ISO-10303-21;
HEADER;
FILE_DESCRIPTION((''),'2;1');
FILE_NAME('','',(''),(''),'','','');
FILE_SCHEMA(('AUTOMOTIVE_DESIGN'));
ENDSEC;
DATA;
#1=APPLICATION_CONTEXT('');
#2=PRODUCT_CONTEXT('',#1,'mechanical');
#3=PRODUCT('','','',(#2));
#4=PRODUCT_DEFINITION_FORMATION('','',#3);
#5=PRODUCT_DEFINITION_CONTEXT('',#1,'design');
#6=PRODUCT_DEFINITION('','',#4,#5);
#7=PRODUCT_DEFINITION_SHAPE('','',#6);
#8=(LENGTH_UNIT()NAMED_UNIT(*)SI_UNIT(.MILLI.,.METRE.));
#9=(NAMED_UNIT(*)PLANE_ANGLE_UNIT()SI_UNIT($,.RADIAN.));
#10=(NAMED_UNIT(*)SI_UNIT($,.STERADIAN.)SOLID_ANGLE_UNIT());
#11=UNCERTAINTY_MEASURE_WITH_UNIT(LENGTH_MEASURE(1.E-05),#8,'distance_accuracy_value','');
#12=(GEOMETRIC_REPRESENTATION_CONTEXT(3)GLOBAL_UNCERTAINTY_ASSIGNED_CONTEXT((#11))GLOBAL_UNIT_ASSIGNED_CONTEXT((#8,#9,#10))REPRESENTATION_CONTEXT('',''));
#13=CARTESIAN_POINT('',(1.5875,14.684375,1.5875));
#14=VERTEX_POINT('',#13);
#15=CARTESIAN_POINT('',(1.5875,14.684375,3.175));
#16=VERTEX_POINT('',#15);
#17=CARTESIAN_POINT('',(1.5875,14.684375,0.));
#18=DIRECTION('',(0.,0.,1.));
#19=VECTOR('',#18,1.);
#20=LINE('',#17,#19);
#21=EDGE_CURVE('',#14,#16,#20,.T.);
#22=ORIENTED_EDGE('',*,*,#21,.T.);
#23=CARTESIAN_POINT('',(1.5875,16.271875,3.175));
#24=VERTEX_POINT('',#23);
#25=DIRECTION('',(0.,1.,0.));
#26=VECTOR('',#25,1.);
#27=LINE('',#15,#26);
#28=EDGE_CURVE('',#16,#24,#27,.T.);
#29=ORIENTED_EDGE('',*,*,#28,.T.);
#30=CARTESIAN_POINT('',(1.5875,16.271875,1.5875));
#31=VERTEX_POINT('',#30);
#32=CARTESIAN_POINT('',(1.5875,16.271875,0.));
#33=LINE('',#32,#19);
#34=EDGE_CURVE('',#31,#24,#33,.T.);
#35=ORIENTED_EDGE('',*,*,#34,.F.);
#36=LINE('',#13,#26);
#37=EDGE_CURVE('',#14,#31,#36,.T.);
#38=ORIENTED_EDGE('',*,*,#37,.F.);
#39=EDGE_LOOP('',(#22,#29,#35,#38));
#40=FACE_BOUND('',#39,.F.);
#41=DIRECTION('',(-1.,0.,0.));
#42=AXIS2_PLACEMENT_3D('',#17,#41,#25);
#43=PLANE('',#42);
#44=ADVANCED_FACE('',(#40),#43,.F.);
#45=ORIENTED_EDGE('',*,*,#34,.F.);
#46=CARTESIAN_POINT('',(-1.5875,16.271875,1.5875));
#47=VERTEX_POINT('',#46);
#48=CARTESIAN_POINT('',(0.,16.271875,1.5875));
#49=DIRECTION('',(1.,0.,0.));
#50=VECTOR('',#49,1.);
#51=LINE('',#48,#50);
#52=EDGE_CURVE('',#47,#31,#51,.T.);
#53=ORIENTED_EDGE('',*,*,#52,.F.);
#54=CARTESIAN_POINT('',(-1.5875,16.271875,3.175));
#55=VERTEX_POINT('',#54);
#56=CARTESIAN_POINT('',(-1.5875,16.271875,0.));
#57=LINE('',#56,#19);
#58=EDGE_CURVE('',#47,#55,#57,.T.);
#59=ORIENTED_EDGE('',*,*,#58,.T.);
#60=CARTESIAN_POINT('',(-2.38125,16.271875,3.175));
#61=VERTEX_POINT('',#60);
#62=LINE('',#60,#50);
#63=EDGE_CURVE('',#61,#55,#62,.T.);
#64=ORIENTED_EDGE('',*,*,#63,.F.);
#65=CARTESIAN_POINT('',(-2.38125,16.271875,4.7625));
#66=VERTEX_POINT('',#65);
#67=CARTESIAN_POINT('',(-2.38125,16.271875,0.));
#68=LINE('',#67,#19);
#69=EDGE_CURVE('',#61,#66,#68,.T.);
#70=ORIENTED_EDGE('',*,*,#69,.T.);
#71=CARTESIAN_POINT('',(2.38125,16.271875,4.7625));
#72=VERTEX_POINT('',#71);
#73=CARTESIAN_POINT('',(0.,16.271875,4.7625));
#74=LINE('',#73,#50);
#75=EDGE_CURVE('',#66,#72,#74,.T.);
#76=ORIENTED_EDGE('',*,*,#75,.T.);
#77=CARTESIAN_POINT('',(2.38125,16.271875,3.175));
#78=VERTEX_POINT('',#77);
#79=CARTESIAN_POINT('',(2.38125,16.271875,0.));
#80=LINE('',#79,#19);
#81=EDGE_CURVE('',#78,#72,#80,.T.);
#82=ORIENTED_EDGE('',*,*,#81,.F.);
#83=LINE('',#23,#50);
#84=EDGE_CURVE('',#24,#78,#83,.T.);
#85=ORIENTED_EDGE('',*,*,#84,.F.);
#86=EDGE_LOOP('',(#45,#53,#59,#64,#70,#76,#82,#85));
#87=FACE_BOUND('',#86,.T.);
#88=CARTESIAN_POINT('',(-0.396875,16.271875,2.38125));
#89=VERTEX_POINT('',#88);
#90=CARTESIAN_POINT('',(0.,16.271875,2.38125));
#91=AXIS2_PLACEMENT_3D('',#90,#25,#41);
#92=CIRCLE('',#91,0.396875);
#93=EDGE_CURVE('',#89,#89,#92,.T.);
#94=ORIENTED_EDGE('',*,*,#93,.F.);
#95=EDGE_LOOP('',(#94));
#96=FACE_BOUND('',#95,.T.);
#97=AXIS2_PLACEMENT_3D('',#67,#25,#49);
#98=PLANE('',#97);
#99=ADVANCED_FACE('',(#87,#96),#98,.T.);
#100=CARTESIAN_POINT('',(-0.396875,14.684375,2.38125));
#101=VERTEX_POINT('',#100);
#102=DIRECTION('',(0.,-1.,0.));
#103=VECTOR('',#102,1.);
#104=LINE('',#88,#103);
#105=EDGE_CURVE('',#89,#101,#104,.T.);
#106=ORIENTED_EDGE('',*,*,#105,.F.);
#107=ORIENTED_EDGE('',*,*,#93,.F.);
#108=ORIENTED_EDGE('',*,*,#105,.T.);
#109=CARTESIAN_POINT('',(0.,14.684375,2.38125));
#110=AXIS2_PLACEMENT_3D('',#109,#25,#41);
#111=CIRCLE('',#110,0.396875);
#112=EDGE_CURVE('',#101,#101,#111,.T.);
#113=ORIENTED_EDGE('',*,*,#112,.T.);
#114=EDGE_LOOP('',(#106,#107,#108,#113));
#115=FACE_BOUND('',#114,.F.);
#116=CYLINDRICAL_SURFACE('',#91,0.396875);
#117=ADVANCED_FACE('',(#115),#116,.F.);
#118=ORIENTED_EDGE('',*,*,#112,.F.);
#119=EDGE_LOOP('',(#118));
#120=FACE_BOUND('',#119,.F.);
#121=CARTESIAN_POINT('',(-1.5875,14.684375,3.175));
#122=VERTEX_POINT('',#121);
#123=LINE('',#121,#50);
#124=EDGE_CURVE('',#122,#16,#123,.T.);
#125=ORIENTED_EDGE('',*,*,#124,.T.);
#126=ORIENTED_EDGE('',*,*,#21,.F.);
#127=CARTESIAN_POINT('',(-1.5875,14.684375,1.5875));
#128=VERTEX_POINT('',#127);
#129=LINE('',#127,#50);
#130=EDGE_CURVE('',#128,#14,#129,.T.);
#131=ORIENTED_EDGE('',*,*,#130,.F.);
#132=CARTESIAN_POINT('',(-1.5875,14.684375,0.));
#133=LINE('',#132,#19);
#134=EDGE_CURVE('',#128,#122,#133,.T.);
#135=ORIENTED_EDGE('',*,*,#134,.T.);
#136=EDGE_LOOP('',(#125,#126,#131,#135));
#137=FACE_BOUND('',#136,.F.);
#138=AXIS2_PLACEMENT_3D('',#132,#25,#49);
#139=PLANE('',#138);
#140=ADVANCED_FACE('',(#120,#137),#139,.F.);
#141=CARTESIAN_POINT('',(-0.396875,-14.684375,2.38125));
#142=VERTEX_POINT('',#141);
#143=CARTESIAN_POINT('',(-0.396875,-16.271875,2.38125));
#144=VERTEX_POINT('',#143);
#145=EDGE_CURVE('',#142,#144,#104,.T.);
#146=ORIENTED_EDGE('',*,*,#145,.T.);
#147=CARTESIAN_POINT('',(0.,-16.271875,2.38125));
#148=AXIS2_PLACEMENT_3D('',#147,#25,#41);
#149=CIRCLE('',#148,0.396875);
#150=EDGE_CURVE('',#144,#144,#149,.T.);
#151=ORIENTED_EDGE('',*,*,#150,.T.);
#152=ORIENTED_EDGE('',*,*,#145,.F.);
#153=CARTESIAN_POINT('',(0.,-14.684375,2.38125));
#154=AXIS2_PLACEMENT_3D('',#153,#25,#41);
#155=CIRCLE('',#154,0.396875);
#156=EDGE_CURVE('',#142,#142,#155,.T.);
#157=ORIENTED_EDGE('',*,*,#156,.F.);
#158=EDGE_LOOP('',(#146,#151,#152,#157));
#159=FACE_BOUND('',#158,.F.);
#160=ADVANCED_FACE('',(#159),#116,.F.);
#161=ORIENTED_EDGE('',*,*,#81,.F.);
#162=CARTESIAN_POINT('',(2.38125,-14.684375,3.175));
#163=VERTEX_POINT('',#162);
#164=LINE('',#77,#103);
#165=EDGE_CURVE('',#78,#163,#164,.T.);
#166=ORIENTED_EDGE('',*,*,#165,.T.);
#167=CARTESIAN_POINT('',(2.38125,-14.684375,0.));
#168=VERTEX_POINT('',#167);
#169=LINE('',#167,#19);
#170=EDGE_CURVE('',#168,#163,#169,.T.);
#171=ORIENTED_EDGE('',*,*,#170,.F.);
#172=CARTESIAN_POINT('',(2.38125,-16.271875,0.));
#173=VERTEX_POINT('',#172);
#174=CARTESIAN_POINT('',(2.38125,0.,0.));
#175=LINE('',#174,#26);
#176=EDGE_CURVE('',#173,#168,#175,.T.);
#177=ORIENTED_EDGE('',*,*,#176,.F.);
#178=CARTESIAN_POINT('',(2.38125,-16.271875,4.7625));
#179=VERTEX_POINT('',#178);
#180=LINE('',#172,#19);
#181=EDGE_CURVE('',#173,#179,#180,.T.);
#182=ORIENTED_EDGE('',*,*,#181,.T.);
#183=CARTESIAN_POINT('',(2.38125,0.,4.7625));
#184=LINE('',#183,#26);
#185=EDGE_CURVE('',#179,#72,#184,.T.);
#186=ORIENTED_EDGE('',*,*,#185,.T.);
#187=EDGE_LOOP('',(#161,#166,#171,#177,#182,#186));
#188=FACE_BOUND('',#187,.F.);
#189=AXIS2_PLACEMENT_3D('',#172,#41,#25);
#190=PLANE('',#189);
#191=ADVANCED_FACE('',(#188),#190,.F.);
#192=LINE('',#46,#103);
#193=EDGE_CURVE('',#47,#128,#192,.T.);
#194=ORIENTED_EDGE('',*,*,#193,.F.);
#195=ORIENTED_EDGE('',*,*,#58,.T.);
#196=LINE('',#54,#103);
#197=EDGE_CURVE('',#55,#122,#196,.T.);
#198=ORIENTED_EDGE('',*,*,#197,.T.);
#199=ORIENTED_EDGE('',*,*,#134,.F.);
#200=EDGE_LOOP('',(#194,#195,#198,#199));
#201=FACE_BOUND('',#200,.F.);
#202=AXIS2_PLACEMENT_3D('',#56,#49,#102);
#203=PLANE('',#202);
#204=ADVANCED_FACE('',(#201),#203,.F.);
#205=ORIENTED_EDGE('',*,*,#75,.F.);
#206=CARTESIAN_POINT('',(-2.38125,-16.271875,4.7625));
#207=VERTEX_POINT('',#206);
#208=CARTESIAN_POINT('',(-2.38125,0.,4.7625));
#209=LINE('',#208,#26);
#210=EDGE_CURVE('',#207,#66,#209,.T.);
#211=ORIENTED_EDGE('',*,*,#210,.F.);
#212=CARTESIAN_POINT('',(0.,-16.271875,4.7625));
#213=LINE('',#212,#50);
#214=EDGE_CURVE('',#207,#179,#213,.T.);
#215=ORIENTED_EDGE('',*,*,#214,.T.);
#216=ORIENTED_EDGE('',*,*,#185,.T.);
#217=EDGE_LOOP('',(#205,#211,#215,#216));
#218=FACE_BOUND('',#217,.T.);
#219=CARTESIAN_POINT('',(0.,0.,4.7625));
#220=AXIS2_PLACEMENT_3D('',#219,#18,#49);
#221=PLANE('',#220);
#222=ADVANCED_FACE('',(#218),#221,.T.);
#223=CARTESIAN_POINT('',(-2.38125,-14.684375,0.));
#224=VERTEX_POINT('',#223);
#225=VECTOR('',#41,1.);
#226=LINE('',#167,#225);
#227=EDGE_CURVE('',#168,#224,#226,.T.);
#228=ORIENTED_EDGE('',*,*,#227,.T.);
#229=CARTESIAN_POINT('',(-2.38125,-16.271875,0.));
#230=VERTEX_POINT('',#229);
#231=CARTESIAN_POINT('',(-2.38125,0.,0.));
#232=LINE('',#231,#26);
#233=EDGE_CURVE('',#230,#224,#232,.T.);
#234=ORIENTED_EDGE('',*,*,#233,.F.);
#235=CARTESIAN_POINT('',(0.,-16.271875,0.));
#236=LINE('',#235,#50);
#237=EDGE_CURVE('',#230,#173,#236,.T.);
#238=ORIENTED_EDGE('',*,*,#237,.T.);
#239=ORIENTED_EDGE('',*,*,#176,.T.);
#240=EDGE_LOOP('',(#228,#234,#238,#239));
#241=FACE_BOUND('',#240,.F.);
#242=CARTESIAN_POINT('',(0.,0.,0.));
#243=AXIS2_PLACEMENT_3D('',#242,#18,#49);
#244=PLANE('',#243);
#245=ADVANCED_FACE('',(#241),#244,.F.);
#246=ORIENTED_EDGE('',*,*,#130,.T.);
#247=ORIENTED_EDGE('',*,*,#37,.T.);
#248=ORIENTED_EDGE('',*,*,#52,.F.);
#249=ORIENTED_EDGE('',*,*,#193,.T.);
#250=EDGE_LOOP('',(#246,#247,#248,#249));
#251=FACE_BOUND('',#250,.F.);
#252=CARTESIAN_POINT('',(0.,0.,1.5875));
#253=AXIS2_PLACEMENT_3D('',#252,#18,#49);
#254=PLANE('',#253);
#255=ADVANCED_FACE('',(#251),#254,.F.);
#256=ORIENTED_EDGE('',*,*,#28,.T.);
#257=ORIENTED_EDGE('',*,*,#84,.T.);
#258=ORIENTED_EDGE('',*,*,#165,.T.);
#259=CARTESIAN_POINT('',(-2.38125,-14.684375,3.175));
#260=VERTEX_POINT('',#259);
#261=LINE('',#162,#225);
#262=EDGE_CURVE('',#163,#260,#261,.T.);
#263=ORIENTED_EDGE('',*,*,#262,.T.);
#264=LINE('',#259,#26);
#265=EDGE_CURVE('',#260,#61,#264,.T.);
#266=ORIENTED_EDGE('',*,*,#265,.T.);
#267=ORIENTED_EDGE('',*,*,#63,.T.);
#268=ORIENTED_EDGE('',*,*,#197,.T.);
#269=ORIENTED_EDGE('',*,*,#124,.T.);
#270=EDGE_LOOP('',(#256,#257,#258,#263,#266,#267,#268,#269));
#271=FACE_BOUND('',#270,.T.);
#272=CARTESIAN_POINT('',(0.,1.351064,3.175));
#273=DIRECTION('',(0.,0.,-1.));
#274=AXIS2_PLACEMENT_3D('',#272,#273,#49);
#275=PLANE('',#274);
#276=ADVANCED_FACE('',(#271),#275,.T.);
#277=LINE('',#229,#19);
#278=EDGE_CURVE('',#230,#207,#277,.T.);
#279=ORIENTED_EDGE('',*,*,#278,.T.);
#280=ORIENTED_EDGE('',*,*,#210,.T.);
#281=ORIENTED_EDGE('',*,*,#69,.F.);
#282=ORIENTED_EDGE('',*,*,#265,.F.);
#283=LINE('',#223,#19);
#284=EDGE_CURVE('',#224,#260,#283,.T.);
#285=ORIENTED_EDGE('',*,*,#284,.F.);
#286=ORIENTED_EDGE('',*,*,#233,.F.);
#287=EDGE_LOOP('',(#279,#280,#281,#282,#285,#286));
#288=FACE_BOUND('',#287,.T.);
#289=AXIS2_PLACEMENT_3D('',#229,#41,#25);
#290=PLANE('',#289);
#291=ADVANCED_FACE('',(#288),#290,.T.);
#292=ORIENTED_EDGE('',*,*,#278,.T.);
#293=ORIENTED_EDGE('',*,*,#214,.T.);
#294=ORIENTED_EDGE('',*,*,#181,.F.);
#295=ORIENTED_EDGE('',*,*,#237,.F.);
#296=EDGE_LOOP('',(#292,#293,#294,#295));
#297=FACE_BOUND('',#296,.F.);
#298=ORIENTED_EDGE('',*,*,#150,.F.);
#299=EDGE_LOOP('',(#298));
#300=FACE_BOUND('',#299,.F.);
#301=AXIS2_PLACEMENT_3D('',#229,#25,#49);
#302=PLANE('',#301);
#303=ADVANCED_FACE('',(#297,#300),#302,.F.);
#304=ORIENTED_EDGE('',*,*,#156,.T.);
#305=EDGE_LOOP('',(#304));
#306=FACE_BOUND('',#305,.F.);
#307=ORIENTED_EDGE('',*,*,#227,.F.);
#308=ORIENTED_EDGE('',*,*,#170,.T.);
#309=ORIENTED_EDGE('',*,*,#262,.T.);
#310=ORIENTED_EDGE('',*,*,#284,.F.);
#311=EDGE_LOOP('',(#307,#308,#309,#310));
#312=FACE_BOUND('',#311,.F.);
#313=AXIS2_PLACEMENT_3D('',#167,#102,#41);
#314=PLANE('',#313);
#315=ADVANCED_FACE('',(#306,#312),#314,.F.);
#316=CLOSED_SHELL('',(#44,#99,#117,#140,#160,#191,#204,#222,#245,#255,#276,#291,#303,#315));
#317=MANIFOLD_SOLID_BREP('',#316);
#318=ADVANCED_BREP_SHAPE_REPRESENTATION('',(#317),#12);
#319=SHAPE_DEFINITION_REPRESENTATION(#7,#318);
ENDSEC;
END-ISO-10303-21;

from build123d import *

# Parameters (mm, degrees)
F0_W     = 4.7625
F0_H     = 32.54375
F1_DEPTH = 4.7625
F3_DEPTH = 3.175
F4_DEPTH = 1.5875
F5_R     = 0.396875
F6_DEPTH = 32.54475


with BuildPart() as f1:
    # F0 (on Top) → F1 (new body)
    with BuildSketch(Plane.XY):
        Rectangle(F0_W, F0_H)
    extrude(amount=F1_DEPTH)

    # F2 (on face) → F3 (cut)
    with BuildSketch(Plane(origin=(0, 0, 0), x_dir=(1, 0, 0), z_dir=(0, 0, -1))):
        Polygon((2.38125, -16.271875), (2.38125, 14.684375), (-2.38125, 14.684375), (-2.38125, -16.271875), (-1.5875, -16.271875), (-1.5875, -14.684375), (1.5875, -14.684375), (1.5875, -16.271875), align=None)
    extrude(amount=-F3_DEPTH, mode=Mode.SUBTRACT)

    # F4 (cut): a face of the model
    f4_faces = [f1.faces().sort_by_distance(p)[0] for p in [
        (0, 15.478125, 0),
    ]]
    extrude(f4_faces, amount=-F4_DEPTH, mode=Mode.SUBTRACT)

    # F5 (on face) → F6 (cut, through all)
    with BuildSketch(Plane(origin=(0, 16.271875, 0), x_dir=(-1, 0, 0), z_dir=(0, 1, 0))):
        with Locations((0, 2.38125)):
            Circle(F5_R)
    extrude(amount=-F6_DEPTH, mode=Mode.SUBTRACT)


solid = f1.part
